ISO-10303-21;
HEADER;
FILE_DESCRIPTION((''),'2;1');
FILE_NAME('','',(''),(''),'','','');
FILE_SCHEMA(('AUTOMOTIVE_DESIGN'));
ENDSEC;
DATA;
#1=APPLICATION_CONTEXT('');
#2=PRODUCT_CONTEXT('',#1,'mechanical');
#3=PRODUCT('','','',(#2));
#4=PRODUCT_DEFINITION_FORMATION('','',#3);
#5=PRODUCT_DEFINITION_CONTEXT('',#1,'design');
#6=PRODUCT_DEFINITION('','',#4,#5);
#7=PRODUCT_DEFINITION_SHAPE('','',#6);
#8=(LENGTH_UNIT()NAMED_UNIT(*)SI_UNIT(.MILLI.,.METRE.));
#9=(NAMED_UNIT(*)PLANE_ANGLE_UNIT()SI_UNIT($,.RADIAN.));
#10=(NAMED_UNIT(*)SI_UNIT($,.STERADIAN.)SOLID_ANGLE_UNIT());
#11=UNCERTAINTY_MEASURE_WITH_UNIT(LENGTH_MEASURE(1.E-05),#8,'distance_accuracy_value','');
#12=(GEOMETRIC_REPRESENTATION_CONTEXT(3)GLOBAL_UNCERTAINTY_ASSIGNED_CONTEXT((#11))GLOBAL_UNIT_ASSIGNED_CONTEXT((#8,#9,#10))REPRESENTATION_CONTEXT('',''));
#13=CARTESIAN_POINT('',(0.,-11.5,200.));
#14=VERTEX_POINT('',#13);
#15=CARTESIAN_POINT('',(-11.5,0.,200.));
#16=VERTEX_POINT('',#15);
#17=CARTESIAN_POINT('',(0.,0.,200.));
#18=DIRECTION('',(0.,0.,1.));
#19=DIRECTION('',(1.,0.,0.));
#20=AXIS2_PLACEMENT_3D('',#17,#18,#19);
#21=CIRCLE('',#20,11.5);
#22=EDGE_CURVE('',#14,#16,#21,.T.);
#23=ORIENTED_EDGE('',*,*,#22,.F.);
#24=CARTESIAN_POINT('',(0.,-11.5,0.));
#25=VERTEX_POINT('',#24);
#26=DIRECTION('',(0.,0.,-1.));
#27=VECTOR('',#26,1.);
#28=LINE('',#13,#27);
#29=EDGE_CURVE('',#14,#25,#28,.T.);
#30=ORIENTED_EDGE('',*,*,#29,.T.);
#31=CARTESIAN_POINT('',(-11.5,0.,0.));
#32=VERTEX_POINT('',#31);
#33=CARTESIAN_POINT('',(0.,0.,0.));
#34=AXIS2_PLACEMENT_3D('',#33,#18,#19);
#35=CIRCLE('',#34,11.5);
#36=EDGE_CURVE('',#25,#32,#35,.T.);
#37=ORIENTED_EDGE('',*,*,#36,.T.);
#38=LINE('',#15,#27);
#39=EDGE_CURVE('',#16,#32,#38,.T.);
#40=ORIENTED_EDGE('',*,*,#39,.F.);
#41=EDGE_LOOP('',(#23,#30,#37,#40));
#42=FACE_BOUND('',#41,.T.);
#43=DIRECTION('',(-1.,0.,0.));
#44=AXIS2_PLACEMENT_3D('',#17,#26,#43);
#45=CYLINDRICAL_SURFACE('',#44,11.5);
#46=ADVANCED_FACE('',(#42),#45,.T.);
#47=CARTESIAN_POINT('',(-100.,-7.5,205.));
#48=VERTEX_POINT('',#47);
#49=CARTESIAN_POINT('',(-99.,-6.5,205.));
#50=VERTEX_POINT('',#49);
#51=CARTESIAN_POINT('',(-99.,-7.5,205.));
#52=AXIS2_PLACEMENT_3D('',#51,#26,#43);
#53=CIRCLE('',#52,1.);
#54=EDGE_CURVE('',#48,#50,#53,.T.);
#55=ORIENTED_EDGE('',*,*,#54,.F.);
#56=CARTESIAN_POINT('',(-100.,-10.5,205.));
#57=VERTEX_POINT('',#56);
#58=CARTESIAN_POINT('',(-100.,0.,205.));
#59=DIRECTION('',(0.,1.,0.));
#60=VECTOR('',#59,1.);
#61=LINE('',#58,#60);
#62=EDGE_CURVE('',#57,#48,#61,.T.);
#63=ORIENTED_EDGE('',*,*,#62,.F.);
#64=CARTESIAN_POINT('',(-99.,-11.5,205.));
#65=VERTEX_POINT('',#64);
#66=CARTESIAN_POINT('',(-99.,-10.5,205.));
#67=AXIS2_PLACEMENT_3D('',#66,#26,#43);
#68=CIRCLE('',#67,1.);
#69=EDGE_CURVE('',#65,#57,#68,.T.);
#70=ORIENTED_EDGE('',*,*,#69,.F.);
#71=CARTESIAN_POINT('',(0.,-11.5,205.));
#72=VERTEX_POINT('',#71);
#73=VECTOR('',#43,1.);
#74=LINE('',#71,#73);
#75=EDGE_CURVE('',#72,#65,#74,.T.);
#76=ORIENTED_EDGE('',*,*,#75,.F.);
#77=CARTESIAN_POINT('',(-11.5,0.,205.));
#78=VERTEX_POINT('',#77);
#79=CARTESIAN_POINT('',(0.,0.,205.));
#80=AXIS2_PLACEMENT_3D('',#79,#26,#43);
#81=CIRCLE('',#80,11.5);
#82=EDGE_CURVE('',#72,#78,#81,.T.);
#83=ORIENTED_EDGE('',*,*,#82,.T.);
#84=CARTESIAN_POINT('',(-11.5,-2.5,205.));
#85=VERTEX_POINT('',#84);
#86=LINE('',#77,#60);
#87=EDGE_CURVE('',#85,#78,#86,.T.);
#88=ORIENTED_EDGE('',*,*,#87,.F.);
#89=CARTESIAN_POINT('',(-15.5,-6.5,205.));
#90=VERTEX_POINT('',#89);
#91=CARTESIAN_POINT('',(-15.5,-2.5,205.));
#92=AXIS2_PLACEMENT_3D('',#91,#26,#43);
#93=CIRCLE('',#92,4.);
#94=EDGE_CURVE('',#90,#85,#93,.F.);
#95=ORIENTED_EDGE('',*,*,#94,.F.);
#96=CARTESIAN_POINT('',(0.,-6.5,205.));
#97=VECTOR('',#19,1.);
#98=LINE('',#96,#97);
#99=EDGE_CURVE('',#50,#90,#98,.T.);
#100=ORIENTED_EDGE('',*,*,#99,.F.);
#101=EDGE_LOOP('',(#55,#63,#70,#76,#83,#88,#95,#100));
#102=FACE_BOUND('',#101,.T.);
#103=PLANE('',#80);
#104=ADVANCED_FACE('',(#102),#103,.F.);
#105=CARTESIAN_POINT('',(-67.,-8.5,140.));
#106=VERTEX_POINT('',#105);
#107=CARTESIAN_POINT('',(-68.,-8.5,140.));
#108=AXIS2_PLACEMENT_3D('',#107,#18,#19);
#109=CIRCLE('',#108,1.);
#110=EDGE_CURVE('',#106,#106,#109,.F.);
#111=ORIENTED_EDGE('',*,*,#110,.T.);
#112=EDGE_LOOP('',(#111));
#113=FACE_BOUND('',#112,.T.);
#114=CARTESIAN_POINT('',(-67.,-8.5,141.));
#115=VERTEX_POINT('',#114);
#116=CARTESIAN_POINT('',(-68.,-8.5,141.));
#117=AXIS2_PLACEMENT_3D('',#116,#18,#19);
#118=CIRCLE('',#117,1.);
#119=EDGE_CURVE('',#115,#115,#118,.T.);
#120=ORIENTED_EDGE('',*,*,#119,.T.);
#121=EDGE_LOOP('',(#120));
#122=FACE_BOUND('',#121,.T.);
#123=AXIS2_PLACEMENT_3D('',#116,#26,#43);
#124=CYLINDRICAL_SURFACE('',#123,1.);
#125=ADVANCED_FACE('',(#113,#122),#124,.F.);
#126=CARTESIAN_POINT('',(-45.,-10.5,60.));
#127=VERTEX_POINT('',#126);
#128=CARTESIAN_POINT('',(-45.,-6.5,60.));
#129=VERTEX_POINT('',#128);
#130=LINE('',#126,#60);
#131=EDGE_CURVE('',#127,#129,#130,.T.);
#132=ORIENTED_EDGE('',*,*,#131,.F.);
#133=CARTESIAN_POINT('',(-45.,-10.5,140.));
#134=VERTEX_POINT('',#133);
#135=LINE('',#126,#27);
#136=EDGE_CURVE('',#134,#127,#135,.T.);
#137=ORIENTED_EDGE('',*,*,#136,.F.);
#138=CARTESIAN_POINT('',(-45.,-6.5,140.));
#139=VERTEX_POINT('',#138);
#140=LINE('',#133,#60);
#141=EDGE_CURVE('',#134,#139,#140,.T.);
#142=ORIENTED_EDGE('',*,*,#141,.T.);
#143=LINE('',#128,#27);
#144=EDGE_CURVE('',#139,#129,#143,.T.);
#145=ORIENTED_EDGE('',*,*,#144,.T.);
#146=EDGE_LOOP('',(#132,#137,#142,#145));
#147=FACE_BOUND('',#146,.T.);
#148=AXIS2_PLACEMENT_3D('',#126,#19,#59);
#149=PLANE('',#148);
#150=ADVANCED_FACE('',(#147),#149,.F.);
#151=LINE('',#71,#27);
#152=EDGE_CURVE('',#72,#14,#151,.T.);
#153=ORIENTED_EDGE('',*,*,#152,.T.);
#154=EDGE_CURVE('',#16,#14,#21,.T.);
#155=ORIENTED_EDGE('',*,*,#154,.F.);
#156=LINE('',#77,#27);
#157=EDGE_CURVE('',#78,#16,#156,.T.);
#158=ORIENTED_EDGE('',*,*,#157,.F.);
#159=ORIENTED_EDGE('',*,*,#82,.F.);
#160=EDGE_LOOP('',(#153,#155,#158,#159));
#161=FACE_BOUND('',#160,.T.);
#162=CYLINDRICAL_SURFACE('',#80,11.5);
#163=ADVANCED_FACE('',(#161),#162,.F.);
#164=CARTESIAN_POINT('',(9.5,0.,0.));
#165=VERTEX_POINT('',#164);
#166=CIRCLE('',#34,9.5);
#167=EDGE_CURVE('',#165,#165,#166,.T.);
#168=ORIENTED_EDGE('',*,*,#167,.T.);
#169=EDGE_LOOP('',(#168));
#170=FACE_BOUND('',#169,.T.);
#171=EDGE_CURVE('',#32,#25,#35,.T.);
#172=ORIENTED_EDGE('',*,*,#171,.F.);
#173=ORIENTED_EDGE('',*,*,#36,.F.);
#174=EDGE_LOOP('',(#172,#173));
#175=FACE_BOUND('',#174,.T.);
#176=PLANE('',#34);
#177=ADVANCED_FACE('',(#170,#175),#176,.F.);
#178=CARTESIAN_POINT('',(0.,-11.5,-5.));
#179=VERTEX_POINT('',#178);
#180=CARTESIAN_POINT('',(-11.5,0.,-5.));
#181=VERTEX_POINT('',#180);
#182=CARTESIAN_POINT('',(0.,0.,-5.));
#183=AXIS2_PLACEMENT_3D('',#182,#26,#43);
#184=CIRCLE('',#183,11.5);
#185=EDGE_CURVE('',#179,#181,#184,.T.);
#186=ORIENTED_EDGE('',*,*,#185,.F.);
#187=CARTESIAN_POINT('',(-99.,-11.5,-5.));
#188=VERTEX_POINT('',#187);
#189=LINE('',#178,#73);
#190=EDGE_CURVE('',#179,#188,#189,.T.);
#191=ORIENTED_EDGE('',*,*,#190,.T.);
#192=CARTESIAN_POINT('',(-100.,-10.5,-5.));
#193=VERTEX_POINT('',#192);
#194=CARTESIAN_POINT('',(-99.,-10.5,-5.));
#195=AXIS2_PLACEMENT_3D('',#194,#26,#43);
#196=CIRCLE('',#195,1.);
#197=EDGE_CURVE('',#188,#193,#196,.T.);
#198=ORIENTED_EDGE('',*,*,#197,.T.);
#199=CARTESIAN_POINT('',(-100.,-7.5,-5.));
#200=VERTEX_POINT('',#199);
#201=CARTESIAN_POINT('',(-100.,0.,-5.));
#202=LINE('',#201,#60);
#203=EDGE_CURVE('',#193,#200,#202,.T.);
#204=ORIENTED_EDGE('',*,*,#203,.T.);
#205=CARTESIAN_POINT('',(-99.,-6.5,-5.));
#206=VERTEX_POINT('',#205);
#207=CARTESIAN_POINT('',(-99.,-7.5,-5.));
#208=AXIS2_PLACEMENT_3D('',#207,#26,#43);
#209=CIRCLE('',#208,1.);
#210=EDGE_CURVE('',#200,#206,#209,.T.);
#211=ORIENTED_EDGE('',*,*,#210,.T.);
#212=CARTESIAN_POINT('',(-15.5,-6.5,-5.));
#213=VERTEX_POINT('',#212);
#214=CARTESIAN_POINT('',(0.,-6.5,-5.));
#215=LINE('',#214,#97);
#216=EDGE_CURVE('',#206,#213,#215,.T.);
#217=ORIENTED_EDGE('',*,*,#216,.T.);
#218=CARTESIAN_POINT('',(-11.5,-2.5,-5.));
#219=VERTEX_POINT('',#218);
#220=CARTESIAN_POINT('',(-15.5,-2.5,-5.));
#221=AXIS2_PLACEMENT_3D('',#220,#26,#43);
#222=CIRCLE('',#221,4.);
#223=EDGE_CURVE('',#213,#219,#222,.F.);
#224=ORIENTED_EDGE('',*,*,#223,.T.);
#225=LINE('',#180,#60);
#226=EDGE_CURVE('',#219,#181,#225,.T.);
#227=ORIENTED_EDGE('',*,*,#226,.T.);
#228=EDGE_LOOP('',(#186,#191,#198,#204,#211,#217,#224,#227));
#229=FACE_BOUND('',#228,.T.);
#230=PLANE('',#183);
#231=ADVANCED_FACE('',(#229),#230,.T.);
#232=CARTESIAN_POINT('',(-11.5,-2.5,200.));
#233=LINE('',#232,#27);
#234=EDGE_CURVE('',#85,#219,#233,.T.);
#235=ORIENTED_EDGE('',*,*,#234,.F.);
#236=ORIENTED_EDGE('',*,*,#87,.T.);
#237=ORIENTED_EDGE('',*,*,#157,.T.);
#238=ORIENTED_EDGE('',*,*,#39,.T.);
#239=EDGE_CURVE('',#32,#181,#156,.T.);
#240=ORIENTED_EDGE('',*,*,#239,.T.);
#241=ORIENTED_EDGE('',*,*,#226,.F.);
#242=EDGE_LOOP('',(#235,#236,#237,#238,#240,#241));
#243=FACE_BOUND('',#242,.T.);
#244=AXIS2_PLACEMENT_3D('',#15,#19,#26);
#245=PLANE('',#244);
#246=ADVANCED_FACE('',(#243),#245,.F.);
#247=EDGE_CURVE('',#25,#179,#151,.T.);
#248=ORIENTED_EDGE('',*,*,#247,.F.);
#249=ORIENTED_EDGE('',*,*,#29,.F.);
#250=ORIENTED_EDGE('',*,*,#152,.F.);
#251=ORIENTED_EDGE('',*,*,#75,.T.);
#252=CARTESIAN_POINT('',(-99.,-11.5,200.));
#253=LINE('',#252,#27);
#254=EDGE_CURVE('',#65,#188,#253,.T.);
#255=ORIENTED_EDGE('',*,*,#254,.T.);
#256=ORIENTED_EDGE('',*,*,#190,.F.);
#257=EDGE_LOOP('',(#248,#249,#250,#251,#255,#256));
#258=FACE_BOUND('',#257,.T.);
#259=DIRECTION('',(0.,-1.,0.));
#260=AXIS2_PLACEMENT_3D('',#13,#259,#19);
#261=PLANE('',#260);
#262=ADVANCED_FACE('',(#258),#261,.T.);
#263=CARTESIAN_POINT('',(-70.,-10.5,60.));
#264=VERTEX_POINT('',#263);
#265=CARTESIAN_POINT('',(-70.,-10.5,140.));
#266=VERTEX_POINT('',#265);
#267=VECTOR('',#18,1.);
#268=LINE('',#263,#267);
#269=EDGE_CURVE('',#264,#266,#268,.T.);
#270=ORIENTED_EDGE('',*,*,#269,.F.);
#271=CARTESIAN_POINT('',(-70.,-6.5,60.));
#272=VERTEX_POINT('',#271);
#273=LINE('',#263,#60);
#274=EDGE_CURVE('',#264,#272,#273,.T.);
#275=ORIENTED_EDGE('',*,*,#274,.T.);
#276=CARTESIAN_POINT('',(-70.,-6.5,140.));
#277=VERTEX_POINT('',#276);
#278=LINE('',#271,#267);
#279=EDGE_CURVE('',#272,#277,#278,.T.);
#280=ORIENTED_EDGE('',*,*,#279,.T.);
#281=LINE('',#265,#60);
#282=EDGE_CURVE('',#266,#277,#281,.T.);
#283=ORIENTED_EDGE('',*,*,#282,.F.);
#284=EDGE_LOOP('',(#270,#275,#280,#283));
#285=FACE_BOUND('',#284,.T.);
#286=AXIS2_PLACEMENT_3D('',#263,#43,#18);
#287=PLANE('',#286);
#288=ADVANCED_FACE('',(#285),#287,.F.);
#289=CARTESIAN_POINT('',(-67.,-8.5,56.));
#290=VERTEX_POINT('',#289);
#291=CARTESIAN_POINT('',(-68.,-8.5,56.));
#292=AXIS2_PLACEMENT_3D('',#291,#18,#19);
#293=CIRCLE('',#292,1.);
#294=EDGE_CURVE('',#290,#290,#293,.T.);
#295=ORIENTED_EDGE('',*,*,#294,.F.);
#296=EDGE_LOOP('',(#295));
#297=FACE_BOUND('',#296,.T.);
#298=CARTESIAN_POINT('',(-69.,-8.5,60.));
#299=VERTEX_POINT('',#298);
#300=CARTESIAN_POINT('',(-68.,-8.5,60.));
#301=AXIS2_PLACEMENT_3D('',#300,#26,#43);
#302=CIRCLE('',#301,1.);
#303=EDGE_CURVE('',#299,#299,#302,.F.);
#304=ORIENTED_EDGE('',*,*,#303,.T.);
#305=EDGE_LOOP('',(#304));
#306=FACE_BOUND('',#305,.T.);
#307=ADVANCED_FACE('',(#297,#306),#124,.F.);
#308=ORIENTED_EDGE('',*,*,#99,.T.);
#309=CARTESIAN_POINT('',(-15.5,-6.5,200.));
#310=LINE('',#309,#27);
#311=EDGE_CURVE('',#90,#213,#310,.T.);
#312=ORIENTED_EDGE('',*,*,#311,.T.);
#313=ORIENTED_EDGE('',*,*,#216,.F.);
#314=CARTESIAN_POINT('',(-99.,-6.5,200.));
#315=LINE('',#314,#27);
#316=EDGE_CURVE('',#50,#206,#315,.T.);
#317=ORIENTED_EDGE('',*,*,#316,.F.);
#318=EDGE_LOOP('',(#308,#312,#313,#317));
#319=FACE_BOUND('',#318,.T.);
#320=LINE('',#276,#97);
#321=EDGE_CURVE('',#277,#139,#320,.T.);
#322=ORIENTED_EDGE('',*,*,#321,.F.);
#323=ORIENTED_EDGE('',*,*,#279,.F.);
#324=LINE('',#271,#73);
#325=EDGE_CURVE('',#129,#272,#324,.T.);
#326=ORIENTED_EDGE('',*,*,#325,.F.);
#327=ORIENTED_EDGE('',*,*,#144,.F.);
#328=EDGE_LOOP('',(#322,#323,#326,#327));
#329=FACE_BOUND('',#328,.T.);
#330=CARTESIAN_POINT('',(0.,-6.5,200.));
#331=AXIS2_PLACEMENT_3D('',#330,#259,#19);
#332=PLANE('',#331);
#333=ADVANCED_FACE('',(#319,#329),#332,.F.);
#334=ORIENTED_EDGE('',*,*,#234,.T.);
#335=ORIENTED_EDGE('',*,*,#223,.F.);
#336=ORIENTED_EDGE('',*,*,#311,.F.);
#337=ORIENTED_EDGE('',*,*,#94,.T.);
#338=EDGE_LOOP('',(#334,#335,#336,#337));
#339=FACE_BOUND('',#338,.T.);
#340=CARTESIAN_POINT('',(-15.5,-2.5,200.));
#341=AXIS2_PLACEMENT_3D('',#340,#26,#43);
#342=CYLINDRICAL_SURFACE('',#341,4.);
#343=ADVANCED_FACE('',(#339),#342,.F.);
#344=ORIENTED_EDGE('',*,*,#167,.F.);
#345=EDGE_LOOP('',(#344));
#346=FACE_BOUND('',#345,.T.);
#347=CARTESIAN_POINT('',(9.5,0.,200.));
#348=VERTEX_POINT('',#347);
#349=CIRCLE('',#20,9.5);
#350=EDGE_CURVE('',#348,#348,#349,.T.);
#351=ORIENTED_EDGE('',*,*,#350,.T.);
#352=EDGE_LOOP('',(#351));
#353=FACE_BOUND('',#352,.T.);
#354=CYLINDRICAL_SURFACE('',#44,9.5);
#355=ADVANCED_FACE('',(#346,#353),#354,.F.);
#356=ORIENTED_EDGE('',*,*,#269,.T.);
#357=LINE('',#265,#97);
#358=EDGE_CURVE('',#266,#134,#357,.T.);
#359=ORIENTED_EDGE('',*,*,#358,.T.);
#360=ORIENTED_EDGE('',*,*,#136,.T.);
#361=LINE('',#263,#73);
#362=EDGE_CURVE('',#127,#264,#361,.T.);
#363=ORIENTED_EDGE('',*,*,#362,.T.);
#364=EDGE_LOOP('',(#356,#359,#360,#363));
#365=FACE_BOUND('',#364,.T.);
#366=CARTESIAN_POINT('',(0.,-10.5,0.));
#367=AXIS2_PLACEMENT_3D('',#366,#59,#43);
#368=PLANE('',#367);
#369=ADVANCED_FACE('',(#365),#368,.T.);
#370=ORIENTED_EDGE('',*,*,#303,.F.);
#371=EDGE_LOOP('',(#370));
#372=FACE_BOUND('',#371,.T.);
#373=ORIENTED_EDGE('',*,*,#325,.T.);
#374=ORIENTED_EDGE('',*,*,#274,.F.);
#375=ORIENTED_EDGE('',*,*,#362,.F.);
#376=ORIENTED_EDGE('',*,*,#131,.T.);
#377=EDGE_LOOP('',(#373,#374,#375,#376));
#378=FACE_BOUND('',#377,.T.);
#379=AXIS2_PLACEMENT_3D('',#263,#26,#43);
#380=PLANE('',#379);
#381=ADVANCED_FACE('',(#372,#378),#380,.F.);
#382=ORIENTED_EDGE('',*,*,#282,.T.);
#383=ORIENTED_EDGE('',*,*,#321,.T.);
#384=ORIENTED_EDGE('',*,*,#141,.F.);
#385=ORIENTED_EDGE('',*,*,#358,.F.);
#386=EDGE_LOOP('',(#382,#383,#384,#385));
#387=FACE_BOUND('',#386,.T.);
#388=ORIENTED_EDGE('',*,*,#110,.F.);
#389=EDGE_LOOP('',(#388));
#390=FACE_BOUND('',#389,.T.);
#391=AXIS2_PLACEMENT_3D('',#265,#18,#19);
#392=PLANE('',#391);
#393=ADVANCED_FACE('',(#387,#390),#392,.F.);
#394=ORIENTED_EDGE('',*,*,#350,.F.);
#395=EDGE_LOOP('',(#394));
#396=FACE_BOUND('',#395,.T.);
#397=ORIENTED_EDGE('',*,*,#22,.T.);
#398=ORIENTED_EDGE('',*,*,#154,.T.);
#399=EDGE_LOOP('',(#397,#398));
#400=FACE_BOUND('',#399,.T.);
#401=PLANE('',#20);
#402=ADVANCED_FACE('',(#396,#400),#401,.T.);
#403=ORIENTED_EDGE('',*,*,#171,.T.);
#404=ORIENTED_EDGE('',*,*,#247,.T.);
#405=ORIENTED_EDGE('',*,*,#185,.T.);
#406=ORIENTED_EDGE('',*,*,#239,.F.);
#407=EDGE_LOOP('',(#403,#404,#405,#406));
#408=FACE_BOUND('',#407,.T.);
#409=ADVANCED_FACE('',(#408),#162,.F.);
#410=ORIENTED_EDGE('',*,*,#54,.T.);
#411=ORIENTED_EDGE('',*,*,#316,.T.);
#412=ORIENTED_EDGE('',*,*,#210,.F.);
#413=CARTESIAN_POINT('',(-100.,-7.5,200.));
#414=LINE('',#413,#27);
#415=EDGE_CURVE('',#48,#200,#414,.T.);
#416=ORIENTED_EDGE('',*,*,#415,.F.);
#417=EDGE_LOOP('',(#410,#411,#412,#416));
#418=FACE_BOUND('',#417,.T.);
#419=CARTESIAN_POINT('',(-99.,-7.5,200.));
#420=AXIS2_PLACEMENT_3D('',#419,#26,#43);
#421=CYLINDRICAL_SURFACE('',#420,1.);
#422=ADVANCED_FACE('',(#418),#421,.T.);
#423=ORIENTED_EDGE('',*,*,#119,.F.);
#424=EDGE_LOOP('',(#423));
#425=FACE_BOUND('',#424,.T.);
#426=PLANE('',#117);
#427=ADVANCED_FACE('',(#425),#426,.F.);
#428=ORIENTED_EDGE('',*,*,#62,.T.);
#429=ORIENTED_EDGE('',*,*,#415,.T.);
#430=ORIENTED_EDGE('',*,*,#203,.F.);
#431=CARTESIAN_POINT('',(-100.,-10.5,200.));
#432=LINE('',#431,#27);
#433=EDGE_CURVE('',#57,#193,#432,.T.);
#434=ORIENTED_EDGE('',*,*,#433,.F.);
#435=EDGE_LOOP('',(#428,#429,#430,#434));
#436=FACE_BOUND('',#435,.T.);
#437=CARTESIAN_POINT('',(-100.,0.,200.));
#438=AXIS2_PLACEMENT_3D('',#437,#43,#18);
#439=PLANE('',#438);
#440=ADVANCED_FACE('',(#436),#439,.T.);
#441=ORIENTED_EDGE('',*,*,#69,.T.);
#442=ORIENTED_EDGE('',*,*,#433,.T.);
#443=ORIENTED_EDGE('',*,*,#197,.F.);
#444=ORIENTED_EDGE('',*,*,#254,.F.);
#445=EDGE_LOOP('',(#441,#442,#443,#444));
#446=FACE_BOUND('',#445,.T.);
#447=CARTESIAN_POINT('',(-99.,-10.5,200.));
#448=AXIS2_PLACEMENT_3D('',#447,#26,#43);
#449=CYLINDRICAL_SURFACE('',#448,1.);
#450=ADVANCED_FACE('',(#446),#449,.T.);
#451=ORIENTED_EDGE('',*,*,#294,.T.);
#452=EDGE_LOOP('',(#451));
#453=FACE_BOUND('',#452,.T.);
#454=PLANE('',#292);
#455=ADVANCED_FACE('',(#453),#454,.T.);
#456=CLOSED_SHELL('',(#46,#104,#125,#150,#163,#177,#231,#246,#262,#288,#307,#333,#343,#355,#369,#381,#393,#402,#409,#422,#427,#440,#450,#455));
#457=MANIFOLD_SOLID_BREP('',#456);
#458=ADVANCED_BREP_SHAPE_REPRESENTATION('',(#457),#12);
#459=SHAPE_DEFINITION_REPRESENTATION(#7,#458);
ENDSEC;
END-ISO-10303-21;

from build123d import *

# Parameters (mm, degrees)
SKETCH_1_R               = 11.5
SKETCH_1_R_2             = 9.5
EXTRUDE_1_DEPTH          = 200
EXTRUDE_2_DEPTH          = 5
EXTRUDE_2_DEPTH_BACK     = 205
SKETCH_3_W               = 25
SKETCH_3_H               = 80
CUT_EXTRUDE_1_DEPTH      = 4
SKETCH_4_R               = 1
CUT_EXTRUDE_2_DEPTH      = 81
CUT_EXTRUDE_2_DEPTH_BACK = 4


with BuildPart() as part:
    # 草图1 → 凸台-拉伸1 (new body)
    with BuildSketch(Plane.XY):
        with BuildLine():
            ThreePointArc((0, -11.5), (-8.131727984, -8.131727984), (-11.5, 0))
            Line((-11.5, 0), (-11.5, -2.5))
            ThreePointArc((-11.5, -2.5), (-12.671572875, -5.328427125), (-15.5, -6.5))
            Line((-15.5, -6.5), (-99, -6.5))
            ThreePointArc((-99, -6.5), (-99.707106781, -6.792893219), (-100, -7.5))
            Line((-100, -7.5), (-100, -10.5))
            ThreePointArc((-100, -10.5), (-99.707106781, -11.207106781), (-99, -11.5))
            Line((-99, -11.5), (0, -11.5))
        make_face()
        Circle(SKETCH_1_R)
        Circle(SKETCH_1_R_2, mode=Mode.SUBTRACT)
    extrude(amount=EXTRUDE_1_DEPTH)

    # 草图2 → 凸台-拉伸2 (add, two sides)
    with BuildSketch(Plane(origin=(0, 0, 0), x_dir=(-1, 0, 0), z_dir=(0, 0, -1))) as extrude_2_sk:
        with BuildLine():
            Line((11.5, -2.5), (11.5, 0))
            ThreePointArc((11.5, 0), (8.131727984, -8.131727984), (0, -11.5))
            Line((0, -11.5), (99, -11.5))
            ThreePointArc((99, -11.5), (99.707106781, -11.207106781), (100, -10.5))
            Line((100, -10.5), (100, -7.5))
            ThreePointArc((100, -7.5), (99.707106781, -6.792893219), (99, -6.5))
            Line((99, -6.5), (15.5, -6.5))
            ThreePointArc((15.5, -6.5), (12.671572875, -5.328427125), (11.5, -2.5))
        make_face()
    extrude(amount=EXTRUDE_2_DEPTH)
    extrude(extrude_2_sk.sketch, amount=-EXTRUDE_2_DEPTH_BACK)

    # 草图3 → 切除-拉伸1 (cut)
    with BuildSketch(Plane(origin=(0, -6.5, 0), x_dir=(1, 0, 0), z_dir=(0, 1, 0))):
        with Locations((-57.5, -100)):
            Rectangle(SKETCH_3_W, SKETCH_3_H)
    extrude(amount=-CUT_EXTRUDE_1_DEPTH, mode=Mode.SUBTRACT)

    # 草图4 → 切除-拉伸2 (cut, two sides)
    with BuildSketch(Plane.XY.offset(60)) as cut_extrude_2_sk:
        with Locations((-68, -8.5)):
            Circle(SKETCH_4_R)
    extrude(amount=CUT_EXTRUDE_2_DEPTH, mode=Mode.SUBTRACT)
    extrude(cut_extrude_2_sk.sketch, amount=-CUT_EXTRUDE_2_DEPTH_BACK, mode=Mode.SUBTRACT)


solid = part.part
